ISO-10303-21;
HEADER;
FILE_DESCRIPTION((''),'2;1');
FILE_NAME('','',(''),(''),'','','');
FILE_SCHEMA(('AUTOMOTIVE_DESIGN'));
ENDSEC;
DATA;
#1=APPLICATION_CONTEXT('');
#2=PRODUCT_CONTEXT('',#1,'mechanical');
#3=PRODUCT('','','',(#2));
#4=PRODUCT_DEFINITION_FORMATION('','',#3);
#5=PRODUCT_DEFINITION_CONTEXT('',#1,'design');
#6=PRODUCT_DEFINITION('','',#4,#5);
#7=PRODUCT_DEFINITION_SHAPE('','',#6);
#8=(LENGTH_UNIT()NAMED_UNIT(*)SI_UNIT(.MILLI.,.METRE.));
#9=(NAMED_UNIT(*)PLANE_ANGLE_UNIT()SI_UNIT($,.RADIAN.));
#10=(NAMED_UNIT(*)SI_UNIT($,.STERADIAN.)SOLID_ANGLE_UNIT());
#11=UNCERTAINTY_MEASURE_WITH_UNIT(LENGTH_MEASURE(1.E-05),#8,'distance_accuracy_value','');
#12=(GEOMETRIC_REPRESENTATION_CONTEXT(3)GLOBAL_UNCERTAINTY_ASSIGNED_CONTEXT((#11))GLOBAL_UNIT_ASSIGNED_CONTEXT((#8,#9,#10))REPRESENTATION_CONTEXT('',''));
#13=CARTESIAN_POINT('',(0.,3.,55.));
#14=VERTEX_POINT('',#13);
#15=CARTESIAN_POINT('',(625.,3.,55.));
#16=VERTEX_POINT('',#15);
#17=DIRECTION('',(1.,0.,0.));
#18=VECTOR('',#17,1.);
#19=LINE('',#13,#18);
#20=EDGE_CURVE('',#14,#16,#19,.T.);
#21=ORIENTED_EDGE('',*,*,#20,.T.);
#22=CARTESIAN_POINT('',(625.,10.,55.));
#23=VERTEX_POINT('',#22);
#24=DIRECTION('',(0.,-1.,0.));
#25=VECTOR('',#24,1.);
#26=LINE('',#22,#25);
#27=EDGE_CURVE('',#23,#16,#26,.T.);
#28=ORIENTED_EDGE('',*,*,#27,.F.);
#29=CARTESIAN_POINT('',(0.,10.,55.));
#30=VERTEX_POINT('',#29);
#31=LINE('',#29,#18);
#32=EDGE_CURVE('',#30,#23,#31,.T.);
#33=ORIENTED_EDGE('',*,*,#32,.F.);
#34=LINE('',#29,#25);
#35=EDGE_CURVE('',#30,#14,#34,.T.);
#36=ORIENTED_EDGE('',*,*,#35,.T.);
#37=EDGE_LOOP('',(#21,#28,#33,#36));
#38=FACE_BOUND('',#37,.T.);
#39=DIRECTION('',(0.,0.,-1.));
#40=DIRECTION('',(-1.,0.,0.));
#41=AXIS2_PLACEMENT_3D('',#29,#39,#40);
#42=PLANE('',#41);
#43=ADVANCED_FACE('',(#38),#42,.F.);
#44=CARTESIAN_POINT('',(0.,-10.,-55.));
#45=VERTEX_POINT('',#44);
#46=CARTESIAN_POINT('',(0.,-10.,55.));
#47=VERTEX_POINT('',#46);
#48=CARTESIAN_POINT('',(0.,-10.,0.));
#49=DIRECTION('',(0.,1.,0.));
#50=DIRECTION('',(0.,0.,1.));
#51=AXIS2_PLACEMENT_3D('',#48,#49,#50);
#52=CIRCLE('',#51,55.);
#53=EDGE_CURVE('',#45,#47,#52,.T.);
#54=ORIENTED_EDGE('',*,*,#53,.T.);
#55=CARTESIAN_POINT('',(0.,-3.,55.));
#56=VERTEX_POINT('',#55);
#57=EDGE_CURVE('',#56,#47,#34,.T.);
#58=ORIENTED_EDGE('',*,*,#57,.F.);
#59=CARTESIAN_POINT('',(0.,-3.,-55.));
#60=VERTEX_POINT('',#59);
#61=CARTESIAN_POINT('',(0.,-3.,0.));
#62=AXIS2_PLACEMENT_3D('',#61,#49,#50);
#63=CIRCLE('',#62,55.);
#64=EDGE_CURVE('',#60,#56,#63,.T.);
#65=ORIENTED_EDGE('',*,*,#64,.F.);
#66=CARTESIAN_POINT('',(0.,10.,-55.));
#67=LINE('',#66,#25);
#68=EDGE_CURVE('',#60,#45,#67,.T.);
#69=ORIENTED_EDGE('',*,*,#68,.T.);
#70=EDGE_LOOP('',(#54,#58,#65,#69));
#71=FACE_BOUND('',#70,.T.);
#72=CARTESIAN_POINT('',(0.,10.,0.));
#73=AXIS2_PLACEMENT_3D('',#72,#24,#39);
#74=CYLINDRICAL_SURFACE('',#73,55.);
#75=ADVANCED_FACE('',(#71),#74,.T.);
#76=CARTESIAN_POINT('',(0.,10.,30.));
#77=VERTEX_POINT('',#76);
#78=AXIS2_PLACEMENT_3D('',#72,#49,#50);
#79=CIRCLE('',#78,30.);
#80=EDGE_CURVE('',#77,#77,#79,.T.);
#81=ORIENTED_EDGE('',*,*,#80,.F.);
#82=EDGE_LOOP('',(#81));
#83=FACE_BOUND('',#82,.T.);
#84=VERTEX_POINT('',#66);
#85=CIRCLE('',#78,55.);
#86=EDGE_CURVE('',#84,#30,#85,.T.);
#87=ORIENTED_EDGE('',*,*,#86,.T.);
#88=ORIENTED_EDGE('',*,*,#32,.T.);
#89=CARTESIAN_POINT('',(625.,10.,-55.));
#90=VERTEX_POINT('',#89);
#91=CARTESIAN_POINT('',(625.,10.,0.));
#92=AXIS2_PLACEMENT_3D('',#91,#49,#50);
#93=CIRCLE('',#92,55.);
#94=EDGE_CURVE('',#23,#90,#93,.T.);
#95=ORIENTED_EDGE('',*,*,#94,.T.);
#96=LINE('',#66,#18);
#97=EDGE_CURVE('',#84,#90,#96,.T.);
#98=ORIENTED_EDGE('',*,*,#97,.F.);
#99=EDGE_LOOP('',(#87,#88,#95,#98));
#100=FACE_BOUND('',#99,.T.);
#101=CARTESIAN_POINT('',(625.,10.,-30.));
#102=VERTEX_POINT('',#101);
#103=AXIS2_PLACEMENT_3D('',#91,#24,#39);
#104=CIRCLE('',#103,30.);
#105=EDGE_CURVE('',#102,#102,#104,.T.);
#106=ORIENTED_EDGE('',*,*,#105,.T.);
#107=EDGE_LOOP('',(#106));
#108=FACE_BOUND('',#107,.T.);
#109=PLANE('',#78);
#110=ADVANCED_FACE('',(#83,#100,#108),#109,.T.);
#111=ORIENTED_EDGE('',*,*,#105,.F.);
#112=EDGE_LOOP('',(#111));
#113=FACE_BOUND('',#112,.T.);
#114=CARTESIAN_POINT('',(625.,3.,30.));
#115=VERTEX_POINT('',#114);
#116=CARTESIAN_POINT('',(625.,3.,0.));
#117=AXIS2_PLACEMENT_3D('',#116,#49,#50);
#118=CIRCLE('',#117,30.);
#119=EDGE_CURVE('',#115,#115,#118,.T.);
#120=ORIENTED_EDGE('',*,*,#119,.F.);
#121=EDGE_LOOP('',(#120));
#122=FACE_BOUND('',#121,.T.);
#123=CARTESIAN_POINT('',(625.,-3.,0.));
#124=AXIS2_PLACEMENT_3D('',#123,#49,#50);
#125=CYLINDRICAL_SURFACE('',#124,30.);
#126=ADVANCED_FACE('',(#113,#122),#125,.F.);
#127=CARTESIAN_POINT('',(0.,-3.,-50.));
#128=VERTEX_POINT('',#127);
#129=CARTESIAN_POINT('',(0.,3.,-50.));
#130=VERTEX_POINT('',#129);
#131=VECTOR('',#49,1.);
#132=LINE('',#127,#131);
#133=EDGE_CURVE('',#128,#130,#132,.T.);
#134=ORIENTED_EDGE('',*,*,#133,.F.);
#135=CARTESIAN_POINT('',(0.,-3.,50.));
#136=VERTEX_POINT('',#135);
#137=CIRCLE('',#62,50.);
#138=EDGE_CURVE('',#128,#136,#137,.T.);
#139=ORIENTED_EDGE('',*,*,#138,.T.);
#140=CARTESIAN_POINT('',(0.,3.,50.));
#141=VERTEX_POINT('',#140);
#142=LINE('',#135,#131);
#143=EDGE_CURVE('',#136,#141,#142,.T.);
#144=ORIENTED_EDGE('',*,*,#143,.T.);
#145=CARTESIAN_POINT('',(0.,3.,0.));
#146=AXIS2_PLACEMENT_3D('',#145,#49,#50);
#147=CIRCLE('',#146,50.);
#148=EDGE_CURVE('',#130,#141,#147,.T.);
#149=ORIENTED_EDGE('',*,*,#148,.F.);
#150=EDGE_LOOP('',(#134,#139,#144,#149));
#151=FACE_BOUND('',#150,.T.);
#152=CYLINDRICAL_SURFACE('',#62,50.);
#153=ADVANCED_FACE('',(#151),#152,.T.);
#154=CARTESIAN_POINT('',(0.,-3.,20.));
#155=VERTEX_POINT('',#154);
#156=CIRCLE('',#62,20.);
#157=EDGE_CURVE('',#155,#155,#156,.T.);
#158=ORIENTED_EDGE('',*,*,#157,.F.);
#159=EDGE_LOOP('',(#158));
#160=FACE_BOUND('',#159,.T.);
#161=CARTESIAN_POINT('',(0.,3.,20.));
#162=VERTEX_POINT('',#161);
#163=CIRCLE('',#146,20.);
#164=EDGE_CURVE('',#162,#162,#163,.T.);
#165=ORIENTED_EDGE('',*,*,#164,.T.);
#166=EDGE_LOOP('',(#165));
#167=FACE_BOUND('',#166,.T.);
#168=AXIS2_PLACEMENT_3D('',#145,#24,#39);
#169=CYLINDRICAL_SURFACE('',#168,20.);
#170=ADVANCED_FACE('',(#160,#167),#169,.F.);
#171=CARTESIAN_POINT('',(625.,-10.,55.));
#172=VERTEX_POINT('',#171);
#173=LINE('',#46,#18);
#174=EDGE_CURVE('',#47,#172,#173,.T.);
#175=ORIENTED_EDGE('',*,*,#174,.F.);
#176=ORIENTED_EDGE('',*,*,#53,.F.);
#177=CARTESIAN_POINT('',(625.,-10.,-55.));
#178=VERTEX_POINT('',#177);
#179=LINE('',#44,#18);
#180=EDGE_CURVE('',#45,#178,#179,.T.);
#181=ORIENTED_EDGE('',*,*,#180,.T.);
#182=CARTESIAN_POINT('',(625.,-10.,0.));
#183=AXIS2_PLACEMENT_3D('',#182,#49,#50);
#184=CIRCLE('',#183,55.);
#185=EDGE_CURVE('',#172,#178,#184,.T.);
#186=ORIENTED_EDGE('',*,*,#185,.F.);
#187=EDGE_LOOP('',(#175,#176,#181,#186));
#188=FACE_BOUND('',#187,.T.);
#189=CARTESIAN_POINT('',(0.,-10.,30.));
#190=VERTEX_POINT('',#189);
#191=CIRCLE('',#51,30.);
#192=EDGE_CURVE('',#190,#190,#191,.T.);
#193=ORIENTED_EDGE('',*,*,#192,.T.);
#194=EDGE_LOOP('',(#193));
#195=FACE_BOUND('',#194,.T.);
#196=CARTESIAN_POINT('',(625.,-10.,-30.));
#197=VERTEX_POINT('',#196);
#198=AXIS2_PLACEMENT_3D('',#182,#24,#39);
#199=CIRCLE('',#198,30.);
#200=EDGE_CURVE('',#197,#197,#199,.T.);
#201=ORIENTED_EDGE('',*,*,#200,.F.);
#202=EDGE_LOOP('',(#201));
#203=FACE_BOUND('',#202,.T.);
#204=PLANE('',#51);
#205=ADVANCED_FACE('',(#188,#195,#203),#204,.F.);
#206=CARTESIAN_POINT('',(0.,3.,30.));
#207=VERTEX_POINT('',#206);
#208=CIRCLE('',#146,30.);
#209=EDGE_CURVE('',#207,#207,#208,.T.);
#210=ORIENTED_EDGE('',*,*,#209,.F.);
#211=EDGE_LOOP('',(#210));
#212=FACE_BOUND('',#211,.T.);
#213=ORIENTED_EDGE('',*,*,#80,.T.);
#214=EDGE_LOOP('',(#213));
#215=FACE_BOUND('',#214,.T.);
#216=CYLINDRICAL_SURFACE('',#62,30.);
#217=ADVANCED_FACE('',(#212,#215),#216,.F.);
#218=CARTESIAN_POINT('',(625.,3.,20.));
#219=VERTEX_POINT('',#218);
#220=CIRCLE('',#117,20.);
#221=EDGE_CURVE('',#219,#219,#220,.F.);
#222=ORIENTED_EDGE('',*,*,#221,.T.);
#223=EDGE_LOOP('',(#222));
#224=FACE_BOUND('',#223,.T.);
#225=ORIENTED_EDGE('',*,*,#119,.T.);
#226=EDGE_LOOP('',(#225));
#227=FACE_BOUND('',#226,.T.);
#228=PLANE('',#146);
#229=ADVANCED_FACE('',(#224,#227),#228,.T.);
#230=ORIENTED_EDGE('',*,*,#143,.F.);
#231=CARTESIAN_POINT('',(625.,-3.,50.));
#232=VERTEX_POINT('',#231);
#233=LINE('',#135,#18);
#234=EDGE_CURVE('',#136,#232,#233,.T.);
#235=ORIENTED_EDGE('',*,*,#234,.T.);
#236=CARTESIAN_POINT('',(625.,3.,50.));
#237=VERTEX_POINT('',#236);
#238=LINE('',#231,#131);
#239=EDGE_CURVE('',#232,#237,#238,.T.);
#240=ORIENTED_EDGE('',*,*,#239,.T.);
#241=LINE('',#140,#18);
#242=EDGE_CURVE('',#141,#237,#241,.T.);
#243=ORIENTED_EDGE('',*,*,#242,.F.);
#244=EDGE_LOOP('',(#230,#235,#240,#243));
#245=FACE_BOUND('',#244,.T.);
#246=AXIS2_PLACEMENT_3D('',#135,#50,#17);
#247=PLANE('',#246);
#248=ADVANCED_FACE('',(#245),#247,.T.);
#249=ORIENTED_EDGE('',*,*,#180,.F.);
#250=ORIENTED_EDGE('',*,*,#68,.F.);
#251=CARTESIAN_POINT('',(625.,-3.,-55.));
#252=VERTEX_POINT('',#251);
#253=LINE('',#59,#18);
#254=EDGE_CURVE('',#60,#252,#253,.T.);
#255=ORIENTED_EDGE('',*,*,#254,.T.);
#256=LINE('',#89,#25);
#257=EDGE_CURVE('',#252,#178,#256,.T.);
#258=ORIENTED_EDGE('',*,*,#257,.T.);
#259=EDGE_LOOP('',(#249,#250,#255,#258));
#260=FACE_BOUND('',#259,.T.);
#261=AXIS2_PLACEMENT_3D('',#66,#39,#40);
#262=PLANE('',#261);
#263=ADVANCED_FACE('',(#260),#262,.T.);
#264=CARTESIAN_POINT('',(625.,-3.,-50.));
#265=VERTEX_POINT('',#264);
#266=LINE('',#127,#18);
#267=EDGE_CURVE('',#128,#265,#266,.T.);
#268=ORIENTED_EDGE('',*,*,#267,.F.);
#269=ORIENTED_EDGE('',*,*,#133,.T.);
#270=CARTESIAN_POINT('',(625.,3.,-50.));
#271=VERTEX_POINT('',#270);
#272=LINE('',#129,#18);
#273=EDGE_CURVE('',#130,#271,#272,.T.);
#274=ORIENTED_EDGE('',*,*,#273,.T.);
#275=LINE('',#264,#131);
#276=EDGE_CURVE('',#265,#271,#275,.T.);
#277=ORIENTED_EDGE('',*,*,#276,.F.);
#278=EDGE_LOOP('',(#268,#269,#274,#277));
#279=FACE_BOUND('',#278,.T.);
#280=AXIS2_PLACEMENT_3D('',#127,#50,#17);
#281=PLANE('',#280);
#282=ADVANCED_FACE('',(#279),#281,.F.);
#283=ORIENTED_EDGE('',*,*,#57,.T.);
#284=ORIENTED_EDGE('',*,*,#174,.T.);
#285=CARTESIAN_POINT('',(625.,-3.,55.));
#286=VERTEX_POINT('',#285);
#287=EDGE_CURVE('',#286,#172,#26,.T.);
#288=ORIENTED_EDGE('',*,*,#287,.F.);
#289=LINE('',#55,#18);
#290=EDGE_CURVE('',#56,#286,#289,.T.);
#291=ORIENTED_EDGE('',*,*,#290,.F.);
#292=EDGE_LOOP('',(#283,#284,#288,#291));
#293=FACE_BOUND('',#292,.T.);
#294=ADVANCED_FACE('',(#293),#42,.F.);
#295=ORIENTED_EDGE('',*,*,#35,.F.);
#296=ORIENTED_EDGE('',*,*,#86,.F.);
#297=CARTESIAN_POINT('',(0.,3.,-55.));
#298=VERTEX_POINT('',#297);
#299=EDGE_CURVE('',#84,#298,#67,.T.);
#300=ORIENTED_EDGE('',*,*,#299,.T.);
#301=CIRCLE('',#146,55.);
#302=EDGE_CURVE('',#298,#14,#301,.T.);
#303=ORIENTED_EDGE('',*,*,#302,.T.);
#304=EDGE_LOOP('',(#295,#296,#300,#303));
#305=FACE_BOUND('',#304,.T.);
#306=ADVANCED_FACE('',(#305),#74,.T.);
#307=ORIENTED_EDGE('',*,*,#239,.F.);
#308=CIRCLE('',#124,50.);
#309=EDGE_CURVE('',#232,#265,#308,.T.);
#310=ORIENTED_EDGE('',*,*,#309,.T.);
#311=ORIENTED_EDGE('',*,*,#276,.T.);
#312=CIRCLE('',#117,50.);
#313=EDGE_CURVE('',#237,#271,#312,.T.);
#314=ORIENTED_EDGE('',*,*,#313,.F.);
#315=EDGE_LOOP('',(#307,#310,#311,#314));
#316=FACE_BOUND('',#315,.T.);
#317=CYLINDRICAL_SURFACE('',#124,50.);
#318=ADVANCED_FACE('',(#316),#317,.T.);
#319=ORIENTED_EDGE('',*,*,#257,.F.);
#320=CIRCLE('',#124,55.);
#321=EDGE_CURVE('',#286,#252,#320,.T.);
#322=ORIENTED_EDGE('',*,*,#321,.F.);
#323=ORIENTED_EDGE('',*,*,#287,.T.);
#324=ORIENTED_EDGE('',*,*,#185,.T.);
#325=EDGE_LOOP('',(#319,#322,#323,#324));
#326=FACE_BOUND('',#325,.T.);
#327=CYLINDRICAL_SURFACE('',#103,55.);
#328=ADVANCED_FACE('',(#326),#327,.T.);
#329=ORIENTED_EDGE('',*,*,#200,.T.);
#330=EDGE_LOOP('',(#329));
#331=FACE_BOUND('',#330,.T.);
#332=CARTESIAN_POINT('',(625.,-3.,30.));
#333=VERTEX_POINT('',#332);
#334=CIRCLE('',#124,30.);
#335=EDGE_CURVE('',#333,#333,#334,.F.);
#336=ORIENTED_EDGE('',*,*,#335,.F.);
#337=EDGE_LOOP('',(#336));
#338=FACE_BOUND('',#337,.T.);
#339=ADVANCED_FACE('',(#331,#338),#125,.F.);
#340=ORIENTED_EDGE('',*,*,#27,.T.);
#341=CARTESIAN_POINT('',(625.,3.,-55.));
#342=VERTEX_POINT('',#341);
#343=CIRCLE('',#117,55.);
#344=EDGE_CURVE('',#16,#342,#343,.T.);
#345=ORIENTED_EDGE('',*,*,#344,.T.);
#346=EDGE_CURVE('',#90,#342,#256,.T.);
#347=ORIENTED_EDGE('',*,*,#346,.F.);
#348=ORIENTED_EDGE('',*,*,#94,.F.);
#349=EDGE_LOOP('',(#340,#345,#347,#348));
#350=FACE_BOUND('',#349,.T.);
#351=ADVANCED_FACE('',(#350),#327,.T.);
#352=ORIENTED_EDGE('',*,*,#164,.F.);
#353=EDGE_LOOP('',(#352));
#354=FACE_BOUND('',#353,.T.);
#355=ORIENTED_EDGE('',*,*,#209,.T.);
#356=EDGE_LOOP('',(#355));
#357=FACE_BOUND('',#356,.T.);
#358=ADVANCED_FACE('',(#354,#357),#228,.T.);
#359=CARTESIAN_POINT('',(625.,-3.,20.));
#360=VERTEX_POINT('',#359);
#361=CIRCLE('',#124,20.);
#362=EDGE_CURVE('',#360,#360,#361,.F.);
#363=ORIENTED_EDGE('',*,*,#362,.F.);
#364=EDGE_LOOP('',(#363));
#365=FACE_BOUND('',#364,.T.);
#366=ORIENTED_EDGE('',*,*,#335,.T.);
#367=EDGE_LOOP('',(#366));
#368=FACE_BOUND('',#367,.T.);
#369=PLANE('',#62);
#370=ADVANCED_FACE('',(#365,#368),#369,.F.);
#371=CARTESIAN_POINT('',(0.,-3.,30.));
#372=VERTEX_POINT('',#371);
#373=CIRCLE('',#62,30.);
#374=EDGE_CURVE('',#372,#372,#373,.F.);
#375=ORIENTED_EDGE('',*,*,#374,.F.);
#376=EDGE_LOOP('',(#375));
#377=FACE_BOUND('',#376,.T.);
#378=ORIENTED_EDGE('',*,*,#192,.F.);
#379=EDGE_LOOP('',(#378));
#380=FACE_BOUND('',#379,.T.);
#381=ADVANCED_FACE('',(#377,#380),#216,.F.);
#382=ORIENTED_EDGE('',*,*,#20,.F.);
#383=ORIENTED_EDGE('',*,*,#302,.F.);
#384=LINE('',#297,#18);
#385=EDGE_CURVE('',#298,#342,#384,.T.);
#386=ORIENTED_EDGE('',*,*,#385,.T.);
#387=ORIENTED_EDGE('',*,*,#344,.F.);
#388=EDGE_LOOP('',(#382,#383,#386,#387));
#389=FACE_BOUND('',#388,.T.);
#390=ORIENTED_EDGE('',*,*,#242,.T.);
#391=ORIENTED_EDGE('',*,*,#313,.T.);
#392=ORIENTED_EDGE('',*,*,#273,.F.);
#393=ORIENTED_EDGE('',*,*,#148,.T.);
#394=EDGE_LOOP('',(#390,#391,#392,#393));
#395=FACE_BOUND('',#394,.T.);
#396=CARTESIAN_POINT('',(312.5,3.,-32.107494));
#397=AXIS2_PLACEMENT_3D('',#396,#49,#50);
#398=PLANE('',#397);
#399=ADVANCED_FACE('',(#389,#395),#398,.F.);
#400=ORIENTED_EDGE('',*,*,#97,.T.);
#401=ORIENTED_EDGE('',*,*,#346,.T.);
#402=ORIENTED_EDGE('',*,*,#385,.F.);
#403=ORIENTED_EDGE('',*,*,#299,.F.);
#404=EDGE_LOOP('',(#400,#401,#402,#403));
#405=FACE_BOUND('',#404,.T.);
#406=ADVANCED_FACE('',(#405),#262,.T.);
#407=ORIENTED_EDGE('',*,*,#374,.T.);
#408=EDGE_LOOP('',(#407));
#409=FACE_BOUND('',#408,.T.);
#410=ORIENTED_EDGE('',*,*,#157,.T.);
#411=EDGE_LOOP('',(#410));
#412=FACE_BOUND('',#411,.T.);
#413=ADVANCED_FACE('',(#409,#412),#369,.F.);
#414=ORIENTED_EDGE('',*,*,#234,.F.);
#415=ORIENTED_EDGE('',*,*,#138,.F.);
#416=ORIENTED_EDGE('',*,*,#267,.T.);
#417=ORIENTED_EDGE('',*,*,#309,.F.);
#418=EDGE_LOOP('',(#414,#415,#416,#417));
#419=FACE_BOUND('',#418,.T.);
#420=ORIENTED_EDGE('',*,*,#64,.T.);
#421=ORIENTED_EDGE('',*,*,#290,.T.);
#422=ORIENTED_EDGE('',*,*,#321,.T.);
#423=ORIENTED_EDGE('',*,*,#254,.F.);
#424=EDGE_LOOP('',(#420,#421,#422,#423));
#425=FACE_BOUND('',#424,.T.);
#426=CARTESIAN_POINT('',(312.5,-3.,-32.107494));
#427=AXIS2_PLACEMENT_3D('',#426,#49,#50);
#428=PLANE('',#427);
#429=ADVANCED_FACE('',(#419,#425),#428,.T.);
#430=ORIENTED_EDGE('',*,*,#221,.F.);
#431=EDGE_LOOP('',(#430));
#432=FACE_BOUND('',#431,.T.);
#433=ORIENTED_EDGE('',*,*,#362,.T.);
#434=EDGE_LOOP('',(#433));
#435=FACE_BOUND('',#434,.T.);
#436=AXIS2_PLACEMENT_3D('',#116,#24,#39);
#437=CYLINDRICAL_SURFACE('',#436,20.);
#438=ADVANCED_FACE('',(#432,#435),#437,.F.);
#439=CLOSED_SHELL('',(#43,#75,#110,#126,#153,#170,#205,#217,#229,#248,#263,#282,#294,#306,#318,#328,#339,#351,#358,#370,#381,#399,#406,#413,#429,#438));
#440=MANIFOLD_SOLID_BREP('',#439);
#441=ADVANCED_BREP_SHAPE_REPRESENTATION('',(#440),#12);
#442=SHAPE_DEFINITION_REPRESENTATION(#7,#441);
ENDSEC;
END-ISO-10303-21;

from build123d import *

# Parameters (mm, degrees)
BOSS_EXTRUDE1_DEPTH = 10
SKETCH1_3_OUTSIDE_W = 885.69
SKETCH1_3_OUTSIDE_H = 260.69
SKETCH1_3_OUTSIDE_R = 30
CUT_EXTRUDE1_DEPTH  = 3
SKETCH1_5_R         = 30
CUT_EXTRUDE3_DEPTH  = 10
SKETCH1_6_R         = 30
SKETCH1_6_R_2       = 20
BOSS_EXTRUDE2_DEPTH = 3
SKETCH1_7_R         = 30
CUT_EXTRUDE4_DEPTH  = 10
SKETCH1_8_R         = 30
SKETCH1_8_R_2       = 20
BOSS_EXTRUDE3_DEPTH = 3


with BuildPart() as part:
    # Sketch1 → Boss-Extrude1 (new, symmetric)
    with BuildSketch(Plane(origin=(0, 0, 0), x_dir=(1, 0, 0), z_dir=(0, 1, 0))):
        with BuildLine():
            Line((0, 55), (625, 55))
            ThreePointArc((625, 55), (680, 0), (625, -55))
            Line((625, -55), (0, -55))
            ThreePointArc((0, -55), (-55, 0), (0, 55))
        make_face()
    extrude(amount=BOSS_EXTRUDE1_DEPTH, both=True)

    # Sketch1<3> outside → Cut-Extrude1 (cut, symmetric)
    # profile 1 of 3: a face of its own
    with BuildSketch(Plane(origin=(0, 0, 0), x_dir=(1, 0, 0), z_dir=(0, 1, 0))):
        with Locations((312.5, 0)):
            Rectangle(SKETCH1_3_OUTSIDE_W, SKETCH1_3_OUTSIDE_H)
        with BuildLine():
            Line((0, 50), (625, 50))
            ThreePointArc((625, 50), (675, 0), (625, -50))
            Line((625, -50), (0, -50))
            ThreePointArc((0, -50), (-50, 0), (0, 50))
        make_face(mode=Mode.SUBTRACT)
    # profile 2 of 3: a face of its own
    with BuildSketch(Plane(origin=(0, 0, 0), x_dir=(1, 0, 0), z_dir=(0, 1, 0))):
        with Locations(Location((0, 0, 0), (0, 0, 270))):
            Circle(SKETCH1_3_OUTSIDE_R)
    # profile 3 of 3: a face of its own
    with BuildSketch(Plane(origin=(0, 0, 0), x_dir=(1, 0, 0), z_dir=(0, 1, 0))):
        with Locations(Location((625, 0, 0), (0, 0, 270))):
            Circle(SKETCH1_3_OUTSIDE_R)
    extrude(amount=CUT_EXTRUDE1_DEPTH, both=True, mode=Mode.SUBTRACT)

    # Sketch1<5> → Cut-Extrude3 (cut, symmetric)
    with BuildSketch(Plane(origin=(0, 0, 0), x_dir=(1, 0, 0), z_dir=(0, 1, 0))):
        with Locations(Location((625, 0, 0), (0, 0, 270))):
            Circle(SKETCH1_5_R)
    extrude(amount=CUT_EXTRUDE3_DEPTH, both=True, mode=Mode.SUBTRACT)

    # Sketch1<6> → Boss-Extrude2 (add, symmetric)
    with BuildSketch(Plane(origin=(0, 0, 0), x_dir=(1, 0, 0), z_dir=(0, 1, 0))):
        with Locations(Location((625, 0, 0), (0, 0, 270))):
            Circle(SKETCH1_6_R)
        with Locations(Location((625, 0, 0), (0, 0, 270))):
            Circle(SKETCH1_6_R_2, mode=Mode.SUBTRACT)
    extrude(amount=BOSS_EXTRUDE2_DEPTH, both=True)

    # Sketch1<7> → Cut-Extrude4 (cut, symmetric)
    with BuildSketch(Plane(origin=(0, 0, 0), x_dir=(1, 0, 0), z_dir=(0, 1, 0))):
        with Locations(Location((0, 0, 0), (0, 0, 270))):
            Circle(SKETCH1_7_R)
    extrude(amount=CUT_EXTRUDE4_DEPTH, both=True, mode=Mode.SUBTRACT)

    # Sketch1<8> → Boss-Extrude3 (add, symmetric)
    with BuildSketch(Plane(origin=(0, 0, 0), x_dir=(1, 0, 0), z_dir=(0, 1, 0))):
        with Locations(Location((0, 0, 0), (0, 0, 270))):
            Circle(SKETCH1_8_R)
        with Locations(Location((0, 0, 0), (0, 0, 270))):
            Circle(SKETCH1_8_R_2, mode=Mode.SUBTRACT)
    extrude(amount=BOSS_EXTRUDE3_DEPTH, both=True)


solid = part.part
